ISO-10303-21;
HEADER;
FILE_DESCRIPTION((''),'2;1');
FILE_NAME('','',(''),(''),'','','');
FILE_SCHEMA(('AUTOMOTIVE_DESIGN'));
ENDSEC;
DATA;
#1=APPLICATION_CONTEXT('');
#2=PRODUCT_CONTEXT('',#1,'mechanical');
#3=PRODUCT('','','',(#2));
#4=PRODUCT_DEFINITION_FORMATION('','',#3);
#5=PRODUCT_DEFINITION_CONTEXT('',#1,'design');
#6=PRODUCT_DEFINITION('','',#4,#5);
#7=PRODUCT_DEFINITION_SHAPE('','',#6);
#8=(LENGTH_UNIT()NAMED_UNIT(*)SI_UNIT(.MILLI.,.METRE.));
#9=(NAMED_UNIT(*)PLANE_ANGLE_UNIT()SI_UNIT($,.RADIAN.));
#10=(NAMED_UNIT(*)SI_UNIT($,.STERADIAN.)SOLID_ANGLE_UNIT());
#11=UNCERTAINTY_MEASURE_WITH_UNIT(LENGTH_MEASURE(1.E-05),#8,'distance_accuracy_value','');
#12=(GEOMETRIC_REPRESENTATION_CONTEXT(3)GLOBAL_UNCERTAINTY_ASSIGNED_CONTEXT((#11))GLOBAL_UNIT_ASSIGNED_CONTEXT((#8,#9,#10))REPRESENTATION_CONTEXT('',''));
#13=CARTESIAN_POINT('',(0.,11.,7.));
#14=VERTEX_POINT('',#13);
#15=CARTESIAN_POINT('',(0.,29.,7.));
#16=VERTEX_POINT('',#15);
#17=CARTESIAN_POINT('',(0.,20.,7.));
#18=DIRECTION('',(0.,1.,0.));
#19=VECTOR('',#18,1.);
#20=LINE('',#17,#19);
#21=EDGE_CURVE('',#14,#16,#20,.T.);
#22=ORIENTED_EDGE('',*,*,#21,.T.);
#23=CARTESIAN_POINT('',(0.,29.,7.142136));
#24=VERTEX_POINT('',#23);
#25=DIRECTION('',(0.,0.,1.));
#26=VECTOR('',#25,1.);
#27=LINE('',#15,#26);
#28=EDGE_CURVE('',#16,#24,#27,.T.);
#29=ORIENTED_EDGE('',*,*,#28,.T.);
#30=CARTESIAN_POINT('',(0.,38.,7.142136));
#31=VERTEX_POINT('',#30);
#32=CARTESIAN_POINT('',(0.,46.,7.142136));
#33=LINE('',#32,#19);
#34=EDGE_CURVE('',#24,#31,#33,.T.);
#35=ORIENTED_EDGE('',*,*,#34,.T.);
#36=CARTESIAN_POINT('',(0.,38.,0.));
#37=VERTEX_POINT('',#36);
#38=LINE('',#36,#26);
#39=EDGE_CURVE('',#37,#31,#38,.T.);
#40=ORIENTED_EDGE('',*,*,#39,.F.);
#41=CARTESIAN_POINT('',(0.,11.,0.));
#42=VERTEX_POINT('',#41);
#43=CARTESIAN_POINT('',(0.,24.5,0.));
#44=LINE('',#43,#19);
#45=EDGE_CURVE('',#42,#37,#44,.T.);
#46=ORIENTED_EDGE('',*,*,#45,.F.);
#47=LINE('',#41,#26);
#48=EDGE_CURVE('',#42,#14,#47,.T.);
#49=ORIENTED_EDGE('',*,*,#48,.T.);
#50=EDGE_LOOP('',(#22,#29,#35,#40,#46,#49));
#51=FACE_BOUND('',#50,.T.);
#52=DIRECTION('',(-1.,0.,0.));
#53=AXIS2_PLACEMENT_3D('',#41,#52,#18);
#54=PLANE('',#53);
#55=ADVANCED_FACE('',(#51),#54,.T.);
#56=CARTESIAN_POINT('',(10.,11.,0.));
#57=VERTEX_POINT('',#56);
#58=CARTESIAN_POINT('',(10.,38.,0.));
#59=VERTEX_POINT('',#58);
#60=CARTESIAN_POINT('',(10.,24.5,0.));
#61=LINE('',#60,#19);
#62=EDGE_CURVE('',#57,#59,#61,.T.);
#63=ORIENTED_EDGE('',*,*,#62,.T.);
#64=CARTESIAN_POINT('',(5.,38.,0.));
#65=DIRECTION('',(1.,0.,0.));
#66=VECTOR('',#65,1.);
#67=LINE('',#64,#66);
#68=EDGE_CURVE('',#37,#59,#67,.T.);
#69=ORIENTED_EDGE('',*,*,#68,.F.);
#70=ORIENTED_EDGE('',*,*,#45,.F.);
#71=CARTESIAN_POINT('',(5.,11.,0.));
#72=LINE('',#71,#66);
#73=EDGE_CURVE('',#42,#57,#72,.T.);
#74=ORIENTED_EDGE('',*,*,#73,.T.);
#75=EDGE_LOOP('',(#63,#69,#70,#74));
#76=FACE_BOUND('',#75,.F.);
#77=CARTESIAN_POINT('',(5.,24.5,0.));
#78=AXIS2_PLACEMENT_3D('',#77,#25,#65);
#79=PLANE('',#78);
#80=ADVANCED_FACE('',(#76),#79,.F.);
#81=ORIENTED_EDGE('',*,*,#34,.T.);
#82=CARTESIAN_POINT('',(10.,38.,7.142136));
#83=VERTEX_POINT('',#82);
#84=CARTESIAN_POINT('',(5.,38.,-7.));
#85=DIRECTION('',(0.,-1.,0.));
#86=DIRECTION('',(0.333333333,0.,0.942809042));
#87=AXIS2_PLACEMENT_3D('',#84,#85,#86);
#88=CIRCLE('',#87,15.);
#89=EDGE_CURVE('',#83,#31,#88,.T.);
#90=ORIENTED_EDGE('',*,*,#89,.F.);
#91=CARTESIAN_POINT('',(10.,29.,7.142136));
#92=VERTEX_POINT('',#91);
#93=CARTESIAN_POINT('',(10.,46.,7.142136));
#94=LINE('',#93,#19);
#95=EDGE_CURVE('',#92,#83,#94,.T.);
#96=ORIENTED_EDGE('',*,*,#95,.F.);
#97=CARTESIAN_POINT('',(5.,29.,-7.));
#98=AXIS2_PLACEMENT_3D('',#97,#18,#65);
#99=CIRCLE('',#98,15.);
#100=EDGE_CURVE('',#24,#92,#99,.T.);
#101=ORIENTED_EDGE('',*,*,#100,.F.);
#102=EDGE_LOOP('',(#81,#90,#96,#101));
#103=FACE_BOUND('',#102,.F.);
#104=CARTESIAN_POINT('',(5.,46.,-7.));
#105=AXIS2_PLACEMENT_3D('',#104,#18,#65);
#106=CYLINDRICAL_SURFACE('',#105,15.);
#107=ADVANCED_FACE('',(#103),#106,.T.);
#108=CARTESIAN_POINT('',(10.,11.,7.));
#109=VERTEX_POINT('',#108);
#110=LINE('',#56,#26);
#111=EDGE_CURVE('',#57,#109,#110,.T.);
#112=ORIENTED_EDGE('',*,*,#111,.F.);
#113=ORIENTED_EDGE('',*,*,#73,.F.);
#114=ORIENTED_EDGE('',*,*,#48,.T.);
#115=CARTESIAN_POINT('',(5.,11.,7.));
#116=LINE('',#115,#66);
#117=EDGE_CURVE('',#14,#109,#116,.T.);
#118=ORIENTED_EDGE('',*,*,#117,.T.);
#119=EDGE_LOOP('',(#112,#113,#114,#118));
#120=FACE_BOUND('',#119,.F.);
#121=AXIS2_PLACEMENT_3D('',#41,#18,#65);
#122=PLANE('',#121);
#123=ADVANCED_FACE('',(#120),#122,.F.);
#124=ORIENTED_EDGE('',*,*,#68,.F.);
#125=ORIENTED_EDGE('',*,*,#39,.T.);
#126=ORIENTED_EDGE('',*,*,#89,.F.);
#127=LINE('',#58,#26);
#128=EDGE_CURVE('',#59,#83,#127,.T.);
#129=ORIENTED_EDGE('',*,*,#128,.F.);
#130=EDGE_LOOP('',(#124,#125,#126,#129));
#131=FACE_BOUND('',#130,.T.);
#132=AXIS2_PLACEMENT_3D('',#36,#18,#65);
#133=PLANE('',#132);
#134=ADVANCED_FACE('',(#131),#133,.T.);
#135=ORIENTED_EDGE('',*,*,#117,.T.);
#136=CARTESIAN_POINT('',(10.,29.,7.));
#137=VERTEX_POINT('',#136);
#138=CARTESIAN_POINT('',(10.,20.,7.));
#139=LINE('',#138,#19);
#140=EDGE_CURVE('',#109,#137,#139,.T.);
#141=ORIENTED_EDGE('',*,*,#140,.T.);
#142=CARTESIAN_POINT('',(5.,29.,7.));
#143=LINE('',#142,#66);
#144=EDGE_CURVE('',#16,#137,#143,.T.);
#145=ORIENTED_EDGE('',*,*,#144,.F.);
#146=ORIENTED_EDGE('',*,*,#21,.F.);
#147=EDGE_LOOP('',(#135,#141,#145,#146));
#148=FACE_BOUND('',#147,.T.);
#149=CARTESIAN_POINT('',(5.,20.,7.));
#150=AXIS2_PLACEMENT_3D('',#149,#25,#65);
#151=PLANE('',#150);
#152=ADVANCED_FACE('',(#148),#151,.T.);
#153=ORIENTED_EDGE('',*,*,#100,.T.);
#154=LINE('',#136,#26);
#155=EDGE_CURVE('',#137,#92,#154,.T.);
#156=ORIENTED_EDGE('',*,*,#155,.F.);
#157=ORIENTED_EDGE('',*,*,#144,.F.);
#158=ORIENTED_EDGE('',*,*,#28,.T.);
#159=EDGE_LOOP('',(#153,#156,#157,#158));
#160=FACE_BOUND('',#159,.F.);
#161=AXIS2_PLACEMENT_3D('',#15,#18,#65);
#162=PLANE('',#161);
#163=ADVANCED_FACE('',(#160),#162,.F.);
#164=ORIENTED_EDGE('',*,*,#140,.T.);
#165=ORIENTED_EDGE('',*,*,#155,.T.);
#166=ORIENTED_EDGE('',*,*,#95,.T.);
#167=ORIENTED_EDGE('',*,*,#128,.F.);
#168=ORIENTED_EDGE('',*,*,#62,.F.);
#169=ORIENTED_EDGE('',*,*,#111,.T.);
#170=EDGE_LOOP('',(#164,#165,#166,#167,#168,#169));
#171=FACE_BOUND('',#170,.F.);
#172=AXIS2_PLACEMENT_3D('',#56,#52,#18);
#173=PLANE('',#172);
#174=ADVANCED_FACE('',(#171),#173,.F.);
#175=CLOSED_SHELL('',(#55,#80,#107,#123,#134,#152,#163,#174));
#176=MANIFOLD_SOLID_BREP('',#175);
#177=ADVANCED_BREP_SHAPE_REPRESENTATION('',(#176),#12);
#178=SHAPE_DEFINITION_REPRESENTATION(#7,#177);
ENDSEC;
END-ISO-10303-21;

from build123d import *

# Parameters (mm, degrees)
BOX001_W            = 10
BOX001_H            = 18
BOX001_DEPTH        = 10
BOX_W               = 10
BOX_H               = 27
BOX_DEPTH           = 8
CYLINDER_R          = 15
CYLINDER_DEPTH      = 40
CYLINDER_ROLL_ANGLE = 90


with BuildPart() as flat_top:
    # Box001 → Box001 (new body)
    with BuildSketch(Plane.XY.offset(7)):
        with Locations((5, 9)):
            Rectangle(BOX001_W, BOX001_H)
    extrude(amount=BOX001_DEPTH)


with BuildPart() as pin:
    # Box → Box (new body)
    with BuildSketch(Plane.XY):
        with Locations((5, 13.5)):
            Rectangle(BOX_W, BOX_H)
    extrude(amount=BOX_DEPTH)


with BuildPart() as cut:
    # Cylinder → Cylinder (new body)
    with BuildSketch(Plane.XY):
        Circle(CYLINDER_R)
    extrude(amount=CYLINDER_DEPTH)


with BuildPart() as cut_1:
    # Cylinder roll: moved
    add(cut.part.rotate(Axis((0, 0, 0), (1, 0, 0)), CYLINDER_ROLL_ANGLE))


with BuildPart() as cut_2:
    # Cylinder placement: moved
    add(cut_1.part.moved(Location((5, 35, -7))))

    # Common: intersect pin
    add(pin.part, mode=Mode.INTERSECT)

    # Cut: cut flat_top
    add(flat_top.part, mode=Mode.SUBTRACT)


with BuildPart() as cut_3:
    # Cut placement: moved
    add(cut_2.part.moved(Location((0, 11, 0))))


solid = cut_3.part
